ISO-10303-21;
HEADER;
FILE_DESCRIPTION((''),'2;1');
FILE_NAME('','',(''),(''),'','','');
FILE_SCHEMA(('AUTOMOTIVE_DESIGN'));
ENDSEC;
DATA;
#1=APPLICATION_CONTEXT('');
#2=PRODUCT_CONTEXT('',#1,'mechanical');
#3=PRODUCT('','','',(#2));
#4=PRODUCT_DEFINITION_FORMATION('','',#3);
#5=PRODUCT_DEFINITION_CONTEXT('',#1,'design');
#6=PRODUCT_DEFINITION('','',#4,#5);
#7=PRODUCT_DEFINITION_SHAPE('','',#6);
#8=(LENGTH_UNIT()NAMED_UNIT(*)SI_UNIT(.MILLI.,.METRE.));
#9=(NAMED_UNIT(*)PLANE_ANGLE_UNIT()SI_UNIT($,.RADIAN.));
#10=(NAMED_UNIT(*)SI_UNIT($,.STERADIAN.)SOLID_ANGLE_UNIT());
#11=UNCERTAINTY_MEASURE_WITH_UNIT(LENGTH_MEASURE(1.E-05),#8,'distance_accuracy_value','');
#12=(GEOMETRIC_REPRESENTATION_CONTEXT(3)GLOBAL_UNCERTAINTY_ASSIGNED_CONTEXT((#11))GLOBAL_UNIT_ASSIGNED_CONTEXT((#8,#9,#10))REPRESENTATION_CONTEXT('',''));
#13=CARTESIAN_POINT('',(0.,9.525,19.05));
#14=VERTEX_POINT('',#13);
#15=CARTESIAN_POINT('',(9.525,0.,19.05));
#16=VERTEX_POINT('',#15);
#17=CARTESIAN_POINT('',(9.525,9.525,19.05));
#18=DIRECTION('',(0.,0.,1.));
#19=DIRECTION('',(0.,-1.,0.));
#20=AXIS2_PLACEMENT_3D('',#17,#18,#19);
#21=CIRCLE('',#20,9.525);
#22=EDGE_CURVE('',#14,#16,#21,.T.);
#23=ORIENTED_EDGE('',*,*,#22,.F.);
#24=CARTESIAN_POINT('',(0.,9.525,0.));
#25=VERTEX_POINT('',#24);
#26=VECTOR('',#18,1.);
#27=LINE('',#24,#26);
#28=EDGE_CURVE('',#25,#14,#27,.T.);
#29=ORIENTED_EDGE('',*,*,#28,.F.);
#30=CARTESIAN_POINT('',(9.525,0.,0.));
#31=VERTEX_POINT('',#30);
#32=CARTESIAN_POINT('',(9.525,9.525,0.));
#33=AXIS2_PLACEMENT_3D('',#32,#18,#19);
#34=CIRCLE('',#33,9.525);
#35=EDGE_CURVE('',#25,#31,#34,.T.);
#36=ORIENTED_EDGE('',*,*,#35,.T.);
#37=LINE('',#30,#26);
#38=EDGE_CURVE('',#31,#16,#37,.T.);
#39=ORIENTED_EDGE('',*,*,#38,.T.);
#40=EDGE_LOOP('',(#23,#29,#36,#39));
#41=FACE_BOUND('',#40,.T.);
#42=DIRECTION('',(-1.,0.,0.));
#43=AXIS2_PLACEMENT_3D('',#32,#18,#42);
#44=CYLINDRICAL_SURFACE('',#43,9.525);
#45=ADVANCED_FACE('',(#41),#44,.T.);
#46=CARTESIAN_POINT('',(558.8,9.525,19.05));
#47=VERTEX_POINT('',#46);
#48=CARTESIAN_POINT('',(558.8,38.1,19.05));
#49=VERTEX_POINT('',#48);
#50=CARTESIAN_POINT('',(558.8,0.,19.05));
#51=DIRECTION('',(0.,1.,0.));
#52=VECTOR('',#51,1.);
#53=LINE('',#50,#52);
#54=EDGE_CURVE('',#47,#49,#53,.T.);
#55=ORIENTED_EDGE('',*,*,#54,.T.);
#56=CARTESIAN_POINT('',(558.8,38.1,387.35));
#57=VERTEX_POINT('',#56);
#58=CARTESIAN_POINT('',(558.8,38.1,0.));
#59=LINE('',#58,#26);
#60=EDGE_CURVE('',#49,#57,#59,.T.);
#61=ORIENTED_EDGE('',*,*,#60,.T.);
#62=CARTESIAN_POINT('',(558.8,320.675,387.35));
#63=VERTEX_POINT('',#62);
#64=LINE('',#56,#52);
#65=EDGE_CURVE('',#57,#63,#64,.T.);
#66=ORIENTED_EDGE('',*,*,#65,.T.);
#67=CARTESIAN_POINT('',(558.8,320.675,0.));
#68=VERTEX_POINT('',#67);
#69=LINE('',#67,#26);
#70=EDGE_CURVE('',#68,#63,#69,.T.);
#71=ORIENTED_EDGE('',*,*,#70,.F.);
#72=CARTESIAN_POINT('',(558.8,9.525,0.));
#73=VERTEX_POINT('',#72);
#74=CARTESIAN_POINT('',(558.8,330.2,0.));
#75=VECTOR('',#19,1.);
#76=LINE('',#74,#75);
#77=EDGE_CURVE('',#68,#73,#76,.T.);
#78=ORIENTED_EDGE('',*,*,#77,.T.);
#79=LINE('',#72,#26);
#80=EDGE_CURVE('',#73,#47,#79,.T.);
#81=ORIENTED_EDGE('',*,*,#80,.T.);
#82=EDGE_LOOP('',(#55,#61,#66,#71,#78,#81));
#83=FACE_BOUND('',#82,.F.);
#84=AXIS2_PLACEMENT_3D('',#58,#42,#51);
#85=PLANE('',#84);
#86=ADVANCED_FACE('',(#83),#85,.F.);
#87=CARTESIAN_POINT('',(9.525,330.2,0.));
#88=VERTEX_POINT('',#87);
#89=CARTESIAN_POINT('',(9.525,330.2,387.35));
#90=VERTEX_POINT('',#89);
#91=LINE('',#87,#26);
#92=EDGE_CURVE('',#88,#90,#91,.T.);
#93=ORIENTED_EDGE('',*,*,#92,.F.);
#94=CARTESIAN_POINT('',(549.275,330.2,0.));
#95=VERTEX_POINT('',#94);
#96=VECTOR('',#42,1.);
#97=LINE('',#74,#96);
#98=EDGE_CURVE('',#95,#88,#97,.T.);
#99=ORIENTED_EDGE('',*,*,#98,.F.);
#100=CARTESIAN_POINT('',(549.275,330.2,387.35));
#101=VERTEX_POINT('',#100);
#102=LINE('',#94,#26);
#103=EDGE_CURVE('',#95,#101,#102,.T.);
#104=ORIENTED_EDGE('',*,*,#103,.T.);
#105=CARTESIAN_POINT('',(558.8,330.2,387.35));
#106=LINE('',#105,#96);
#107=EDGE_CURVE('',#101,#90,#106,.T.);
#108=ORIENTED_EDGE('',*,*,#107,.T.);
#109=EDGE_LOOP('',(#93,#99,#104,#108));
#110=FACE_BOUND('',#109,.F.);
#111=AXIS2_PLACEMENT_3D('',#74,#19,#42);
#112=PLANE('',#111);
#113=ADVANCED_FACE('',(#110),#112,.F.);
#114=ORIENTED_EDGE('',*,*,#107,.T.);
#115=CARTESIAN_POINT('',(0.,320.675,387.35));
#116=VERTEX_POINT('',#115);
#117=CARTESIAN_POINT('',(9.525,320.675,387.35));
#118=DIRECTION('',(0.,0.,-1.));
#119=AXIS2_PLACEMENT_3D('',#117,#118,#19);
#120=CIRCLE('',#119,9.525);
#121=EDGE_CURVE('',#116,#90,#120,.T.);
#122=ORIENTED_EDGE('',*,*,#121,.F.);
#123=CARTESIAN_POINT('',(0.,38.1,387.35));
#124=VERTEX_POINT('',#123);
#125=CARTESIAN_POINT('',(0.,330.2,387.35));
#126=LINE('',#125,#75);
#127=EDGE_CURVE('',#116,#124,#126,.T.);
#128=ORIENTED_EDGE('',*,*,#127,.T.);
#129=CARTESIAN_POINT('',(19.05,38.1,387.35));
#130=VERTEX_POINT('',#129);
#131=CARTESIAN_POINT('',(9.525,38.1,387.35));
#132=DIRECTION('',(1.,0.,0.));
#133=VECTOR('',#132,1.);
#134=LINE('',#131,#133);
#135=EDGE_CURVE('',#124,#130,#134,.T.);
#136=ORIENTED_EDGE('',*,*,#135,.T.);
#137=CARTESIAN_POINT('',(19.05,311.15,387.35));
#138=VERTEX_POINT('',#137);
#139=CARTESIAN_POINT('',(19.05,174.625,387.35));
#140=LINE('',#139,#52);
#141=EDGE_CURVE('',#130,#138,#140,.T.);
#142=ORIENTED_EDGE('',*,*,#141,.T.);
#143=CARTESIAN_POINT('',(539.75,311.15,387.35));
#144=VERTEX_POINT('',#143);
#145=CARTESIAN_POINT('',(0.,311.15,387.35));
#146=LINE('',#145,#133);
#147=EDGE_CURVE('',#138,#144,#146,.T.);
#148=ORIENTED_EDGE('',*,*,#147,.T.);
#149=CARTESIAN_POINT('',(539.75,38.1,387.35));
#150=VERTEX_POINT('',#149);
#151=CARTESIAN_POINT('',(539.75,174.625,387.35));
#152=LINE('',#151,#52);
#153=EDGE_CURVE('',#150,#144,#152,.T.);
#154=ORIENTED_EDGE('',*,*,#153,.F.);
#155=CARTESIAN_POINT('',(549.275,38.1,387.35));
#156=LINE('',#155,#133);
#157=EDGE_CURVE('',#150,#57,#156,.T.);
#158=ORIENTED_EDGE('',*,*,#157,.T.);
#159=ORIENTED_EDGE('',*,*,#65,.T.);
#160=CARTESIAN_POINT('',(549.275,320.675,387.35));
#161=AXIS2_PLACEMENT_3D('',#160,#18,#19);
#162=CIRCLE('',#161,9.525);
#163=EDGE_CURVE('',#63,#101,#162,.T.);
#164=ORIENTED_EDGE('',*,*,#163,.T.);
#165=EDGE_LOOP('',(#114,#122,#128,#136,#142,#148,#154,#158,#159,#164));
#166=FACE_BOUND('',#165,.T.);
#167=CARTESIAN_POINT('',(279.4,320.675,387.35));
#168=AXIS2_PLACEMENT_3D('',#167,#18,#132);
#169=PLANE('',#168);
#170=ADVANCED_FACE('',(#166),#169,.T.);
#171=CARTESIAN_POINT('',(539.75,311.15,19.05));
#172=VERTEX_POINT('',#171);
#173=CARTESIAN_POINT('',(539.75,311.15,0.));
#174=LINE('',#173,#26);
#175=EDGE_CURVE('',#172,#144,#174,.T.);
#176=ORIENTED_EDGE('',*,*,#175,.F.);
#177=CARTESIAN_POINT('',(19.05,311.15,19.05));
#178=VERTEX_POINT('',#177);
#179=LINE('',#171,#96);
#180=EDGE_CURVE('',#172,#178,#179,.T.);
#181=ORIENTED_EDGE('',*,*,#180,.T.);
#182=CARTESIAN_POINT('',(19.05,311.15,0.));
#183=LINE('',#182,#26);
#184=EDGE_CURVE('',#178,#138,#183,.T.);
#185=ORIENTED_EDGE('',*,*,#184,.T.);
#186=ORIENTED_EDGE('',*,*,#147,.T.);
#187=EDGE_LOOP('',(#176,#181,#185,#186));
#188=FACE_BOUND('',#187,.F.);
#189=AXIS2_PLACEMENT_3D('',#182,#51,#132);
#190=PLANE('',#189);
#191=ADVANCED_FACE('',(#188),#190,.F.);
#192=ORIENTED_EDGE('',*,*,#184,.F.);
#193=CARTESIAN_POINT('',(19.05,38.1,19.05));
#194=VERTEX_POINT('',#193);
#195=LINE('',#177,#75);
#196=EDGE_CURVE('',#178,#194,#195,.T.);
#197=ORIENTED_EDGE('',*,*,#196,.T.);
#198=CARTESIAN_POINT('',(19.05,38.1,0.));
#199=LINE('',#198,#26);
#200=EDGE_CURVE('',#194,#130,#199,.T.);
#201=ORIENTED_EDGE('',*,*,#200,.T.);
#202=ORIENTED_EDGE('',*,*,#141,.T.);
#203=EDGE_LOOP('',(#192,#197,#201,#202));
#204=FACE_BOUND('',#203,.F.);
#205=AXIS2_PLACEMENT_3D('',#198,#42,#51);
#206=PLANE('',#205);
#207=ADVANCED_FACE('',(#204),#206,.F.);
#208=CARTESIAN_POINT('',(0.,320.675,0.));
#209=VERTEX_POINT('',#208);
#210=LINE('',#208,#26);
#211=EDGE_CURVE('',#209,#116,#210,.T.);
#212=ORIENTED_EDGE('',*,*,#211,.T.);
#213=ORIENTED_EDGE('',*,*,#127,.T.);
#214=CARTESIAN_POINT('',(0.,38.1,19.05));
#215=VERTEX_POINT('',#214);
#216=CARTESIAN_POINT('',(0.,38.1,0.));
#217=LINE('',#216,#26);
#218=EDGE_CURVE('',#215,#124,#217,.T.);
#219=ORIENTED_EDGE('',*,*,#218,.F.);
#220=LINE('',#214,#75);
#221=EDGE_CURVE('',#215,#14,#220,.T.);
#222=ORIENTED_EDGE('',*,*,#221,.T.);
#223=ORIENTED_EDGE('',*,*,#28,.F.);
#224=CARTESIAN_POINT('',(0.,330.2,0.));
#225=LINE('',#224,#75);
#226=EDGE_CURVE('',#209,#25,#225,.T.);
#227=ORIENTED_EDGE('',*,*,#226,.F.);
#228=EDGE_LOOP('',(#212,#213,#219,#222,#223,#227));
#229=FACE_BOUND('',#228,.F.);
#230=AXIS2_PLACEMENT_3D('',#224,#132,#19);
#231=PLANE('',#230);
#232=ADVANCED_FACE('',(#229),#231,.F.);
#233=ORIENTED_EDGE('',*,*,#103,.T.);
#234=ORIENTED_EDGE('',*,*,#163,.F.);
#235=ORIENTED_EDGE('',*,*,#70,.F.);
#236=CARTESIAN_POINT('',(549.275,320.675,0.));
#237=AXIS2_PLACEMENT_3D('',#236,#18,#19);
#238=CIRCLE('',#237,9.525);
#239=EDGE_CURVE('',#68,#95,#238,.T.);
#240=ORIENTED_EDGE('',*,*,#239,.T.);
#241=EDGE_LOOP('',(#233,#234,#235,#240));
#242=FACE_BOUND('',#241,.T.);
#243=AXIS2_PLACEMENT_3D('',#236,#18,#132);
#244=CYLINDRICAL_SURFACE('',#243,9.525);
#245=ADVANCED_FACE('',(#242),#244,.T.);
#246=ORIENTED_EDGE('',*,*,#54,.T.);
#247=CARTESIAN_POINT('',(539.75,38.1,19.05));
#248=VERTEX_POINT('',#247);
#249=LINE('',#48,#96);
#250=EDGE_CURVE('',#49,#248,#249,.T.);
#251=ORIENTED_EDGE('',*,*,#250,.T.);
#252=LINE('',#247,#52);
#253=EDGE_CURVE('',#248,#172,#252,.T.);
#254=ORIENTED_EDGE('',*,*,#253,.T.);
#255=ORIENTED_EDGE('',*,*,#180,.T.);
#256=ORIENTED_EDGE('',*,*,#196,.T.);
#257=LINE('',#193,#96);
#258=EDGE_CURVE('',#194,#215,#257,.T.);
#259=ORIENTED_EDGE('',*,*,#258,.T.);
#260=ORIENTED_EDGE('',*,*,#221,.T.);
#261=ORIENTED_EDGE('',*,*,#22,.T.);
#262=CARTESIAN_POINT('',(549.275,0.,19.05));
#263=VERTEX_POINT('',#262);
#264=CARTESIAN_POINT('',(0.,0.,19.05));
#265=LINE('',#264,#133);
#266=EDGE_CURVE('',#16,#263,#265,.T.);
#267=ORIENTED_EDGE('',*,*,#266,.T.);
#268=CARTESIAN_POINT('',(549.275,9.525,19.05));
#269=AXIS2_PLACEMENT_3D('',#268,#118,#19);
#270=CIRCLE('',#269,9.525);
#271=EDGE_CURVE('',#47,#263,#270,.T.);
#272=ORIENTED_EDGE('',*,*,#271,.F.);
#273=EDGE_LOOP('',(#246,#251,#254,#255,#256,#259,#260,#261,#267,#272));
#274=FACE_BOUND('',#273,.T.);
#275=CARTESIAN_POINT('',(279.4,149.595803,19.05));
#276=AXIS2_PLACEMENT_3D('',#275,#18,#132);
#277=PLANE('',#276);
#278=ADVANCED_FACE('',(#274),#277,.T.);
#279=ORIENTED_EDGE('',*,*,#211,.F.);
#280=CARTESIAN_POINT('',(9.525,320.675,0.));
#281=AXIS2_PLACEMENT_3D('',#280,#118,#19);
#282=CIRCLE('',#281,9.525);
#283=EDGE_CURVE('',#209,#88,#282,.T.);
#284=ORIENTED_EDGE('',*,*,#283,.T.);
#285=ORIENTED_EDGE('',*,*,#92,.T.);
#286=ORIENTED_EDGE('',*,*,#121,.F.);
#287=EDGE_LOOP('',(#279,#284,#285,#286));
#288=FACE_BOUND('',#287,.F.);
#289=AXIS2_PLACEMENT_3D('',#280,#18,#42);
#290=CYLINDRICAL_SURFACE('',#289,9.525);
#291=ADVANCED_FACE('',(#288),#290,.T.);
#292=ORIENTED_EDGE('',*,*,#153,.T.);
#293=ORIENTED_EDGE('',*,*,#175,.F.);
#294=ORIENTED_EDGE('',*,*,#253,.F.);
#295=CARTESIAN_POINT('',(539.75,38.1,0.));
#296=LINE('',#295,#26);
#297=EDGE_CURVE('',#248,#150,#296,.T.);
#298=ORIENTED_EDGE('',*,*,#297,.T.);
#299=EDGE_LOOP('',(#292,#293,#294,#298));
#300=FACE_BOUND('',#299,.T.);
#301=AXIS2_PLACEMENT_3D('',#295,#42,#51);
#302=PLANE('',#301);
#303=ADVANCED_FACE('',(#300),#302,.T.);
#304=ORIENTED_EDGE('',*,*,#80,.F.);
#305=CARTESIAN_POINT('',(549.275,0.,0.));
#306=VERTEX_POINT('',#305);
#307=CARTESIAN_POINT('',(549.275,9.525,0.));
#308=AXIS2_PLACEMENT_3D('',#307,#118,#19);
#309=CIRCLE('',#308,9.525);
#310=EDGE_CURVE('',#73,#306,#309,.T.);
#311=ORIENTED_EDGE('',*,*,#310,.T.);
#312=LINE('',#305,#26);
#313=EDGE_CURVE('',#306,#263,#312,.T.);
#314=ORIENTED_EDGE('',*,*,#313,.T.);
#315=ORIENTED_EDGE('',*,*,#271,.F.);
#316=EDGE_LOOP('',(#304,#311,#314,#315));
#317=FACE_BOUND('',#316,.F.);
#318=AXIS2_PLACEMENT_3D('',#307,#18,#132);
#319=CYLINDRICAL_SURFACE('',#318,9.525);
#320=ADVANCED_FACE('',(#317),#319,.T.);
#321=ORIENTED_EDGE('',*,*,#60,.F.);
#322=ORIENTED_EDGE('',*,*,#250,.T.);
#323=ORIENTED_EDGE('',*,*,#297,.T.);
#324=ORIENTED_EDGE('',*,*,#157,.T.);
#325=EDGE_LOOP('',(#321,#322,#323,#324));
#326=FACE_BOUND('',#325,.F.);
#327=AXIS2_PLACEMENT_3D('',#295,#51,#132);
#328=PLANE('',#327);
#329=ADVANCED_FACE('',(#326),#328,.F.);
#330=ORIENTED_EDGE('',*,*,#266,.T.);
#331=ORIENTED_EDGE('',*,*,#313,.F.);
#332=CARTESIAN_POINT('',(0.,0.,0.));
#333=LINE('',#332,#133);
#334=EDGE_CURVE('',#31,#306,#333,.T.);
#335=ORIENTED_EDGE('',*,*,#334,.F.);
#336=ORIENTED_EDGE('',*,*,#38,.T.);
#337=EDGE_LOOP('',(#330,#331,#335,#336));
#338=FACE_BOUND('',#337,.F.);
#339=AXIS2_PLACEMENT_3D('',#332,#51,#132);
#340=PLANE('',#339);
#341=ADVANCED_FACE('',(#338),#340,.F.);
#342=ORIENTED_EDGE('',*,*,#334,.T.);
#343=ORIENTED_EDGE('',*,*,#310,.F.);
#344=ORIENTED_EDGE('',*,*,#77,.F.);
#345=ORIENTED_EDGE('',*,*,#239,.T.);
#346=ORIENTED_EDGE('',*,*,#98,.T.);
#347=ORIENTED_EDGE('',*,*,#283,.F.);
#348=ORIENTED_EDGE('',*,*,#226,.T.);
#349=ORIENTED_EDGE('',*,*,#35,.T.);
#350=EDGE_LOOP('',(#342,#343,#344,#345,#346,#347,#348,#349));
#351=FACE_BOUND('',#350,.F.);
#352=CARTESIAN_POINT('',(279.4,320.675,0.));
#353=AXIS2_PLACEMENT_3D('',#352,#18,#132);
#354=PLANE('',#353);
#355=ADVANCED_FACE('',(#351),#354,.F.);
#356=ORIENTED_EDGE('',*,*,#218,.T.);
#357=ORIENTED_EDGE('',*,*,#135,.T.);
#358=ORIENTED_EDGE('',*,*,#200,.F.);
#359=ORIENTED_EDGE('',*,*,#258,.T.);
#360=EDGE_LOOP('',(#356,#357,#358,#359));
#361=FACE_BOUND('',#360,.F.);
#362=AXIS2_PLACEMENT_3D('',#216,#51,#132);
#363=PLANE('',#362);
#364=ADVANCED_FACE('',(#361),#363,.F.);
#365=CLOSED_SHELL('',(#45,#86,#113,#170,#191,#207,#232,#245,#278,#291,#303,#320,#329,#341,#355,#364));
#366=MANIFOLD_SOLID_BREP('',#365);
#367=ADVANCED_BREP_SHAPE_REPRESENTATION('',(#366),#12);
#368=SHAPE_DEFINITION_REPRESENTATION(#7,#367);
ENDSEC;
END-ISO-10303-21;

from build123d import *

# Parameters (mm, degrees)
F1_DEPTH = 19.05
F0_W     = 19.05
F0_H     = 273.05
F2_DEPTH = 387.35
F3_R     = 9.525


with BuildPart() as f1:
    # F0 (on Top) → F1 (new body)
    with BuildSketch(Plane.XY):
        Polygon((0, 38.1), (0, 0), (558.8, 0), (558.8, 38.1), (539.75, 38.1), (539.75, 311.15), (19.05, 311.15), (19.05, 38.1), align=None)
    extrude(amount=F1_DEPTH)

    # F0 (on Top) → F2 (join)
    with BuildSketch(Plane.XY):
        Polygon((0, 330.2), (0, 311.15), (19.05, 311.15), (539.75, 311.15), (558.8, 311.15), (558.8, 330.2), align=None)
        with Locations((9.525, 174.625)):
            Rectangle(F0_W, F0_H)
        with Locations((549.275, 174.625)):
            Rectangle(F0_W, F0_H)
    extrude(amount=F2_DEPTH)

    # F3
    f3_edges = [f1.edges().sort_by_distance(p)[0] for p in [
        (0, 330.2, 193.675),
        (558.8, 330.2, 193.675),
        (558.8, 0, 9.525),
        (0, 0, 9.525),
    ]]
    fillet(f3_edges, radius=F3_R)


solid = f1.part
